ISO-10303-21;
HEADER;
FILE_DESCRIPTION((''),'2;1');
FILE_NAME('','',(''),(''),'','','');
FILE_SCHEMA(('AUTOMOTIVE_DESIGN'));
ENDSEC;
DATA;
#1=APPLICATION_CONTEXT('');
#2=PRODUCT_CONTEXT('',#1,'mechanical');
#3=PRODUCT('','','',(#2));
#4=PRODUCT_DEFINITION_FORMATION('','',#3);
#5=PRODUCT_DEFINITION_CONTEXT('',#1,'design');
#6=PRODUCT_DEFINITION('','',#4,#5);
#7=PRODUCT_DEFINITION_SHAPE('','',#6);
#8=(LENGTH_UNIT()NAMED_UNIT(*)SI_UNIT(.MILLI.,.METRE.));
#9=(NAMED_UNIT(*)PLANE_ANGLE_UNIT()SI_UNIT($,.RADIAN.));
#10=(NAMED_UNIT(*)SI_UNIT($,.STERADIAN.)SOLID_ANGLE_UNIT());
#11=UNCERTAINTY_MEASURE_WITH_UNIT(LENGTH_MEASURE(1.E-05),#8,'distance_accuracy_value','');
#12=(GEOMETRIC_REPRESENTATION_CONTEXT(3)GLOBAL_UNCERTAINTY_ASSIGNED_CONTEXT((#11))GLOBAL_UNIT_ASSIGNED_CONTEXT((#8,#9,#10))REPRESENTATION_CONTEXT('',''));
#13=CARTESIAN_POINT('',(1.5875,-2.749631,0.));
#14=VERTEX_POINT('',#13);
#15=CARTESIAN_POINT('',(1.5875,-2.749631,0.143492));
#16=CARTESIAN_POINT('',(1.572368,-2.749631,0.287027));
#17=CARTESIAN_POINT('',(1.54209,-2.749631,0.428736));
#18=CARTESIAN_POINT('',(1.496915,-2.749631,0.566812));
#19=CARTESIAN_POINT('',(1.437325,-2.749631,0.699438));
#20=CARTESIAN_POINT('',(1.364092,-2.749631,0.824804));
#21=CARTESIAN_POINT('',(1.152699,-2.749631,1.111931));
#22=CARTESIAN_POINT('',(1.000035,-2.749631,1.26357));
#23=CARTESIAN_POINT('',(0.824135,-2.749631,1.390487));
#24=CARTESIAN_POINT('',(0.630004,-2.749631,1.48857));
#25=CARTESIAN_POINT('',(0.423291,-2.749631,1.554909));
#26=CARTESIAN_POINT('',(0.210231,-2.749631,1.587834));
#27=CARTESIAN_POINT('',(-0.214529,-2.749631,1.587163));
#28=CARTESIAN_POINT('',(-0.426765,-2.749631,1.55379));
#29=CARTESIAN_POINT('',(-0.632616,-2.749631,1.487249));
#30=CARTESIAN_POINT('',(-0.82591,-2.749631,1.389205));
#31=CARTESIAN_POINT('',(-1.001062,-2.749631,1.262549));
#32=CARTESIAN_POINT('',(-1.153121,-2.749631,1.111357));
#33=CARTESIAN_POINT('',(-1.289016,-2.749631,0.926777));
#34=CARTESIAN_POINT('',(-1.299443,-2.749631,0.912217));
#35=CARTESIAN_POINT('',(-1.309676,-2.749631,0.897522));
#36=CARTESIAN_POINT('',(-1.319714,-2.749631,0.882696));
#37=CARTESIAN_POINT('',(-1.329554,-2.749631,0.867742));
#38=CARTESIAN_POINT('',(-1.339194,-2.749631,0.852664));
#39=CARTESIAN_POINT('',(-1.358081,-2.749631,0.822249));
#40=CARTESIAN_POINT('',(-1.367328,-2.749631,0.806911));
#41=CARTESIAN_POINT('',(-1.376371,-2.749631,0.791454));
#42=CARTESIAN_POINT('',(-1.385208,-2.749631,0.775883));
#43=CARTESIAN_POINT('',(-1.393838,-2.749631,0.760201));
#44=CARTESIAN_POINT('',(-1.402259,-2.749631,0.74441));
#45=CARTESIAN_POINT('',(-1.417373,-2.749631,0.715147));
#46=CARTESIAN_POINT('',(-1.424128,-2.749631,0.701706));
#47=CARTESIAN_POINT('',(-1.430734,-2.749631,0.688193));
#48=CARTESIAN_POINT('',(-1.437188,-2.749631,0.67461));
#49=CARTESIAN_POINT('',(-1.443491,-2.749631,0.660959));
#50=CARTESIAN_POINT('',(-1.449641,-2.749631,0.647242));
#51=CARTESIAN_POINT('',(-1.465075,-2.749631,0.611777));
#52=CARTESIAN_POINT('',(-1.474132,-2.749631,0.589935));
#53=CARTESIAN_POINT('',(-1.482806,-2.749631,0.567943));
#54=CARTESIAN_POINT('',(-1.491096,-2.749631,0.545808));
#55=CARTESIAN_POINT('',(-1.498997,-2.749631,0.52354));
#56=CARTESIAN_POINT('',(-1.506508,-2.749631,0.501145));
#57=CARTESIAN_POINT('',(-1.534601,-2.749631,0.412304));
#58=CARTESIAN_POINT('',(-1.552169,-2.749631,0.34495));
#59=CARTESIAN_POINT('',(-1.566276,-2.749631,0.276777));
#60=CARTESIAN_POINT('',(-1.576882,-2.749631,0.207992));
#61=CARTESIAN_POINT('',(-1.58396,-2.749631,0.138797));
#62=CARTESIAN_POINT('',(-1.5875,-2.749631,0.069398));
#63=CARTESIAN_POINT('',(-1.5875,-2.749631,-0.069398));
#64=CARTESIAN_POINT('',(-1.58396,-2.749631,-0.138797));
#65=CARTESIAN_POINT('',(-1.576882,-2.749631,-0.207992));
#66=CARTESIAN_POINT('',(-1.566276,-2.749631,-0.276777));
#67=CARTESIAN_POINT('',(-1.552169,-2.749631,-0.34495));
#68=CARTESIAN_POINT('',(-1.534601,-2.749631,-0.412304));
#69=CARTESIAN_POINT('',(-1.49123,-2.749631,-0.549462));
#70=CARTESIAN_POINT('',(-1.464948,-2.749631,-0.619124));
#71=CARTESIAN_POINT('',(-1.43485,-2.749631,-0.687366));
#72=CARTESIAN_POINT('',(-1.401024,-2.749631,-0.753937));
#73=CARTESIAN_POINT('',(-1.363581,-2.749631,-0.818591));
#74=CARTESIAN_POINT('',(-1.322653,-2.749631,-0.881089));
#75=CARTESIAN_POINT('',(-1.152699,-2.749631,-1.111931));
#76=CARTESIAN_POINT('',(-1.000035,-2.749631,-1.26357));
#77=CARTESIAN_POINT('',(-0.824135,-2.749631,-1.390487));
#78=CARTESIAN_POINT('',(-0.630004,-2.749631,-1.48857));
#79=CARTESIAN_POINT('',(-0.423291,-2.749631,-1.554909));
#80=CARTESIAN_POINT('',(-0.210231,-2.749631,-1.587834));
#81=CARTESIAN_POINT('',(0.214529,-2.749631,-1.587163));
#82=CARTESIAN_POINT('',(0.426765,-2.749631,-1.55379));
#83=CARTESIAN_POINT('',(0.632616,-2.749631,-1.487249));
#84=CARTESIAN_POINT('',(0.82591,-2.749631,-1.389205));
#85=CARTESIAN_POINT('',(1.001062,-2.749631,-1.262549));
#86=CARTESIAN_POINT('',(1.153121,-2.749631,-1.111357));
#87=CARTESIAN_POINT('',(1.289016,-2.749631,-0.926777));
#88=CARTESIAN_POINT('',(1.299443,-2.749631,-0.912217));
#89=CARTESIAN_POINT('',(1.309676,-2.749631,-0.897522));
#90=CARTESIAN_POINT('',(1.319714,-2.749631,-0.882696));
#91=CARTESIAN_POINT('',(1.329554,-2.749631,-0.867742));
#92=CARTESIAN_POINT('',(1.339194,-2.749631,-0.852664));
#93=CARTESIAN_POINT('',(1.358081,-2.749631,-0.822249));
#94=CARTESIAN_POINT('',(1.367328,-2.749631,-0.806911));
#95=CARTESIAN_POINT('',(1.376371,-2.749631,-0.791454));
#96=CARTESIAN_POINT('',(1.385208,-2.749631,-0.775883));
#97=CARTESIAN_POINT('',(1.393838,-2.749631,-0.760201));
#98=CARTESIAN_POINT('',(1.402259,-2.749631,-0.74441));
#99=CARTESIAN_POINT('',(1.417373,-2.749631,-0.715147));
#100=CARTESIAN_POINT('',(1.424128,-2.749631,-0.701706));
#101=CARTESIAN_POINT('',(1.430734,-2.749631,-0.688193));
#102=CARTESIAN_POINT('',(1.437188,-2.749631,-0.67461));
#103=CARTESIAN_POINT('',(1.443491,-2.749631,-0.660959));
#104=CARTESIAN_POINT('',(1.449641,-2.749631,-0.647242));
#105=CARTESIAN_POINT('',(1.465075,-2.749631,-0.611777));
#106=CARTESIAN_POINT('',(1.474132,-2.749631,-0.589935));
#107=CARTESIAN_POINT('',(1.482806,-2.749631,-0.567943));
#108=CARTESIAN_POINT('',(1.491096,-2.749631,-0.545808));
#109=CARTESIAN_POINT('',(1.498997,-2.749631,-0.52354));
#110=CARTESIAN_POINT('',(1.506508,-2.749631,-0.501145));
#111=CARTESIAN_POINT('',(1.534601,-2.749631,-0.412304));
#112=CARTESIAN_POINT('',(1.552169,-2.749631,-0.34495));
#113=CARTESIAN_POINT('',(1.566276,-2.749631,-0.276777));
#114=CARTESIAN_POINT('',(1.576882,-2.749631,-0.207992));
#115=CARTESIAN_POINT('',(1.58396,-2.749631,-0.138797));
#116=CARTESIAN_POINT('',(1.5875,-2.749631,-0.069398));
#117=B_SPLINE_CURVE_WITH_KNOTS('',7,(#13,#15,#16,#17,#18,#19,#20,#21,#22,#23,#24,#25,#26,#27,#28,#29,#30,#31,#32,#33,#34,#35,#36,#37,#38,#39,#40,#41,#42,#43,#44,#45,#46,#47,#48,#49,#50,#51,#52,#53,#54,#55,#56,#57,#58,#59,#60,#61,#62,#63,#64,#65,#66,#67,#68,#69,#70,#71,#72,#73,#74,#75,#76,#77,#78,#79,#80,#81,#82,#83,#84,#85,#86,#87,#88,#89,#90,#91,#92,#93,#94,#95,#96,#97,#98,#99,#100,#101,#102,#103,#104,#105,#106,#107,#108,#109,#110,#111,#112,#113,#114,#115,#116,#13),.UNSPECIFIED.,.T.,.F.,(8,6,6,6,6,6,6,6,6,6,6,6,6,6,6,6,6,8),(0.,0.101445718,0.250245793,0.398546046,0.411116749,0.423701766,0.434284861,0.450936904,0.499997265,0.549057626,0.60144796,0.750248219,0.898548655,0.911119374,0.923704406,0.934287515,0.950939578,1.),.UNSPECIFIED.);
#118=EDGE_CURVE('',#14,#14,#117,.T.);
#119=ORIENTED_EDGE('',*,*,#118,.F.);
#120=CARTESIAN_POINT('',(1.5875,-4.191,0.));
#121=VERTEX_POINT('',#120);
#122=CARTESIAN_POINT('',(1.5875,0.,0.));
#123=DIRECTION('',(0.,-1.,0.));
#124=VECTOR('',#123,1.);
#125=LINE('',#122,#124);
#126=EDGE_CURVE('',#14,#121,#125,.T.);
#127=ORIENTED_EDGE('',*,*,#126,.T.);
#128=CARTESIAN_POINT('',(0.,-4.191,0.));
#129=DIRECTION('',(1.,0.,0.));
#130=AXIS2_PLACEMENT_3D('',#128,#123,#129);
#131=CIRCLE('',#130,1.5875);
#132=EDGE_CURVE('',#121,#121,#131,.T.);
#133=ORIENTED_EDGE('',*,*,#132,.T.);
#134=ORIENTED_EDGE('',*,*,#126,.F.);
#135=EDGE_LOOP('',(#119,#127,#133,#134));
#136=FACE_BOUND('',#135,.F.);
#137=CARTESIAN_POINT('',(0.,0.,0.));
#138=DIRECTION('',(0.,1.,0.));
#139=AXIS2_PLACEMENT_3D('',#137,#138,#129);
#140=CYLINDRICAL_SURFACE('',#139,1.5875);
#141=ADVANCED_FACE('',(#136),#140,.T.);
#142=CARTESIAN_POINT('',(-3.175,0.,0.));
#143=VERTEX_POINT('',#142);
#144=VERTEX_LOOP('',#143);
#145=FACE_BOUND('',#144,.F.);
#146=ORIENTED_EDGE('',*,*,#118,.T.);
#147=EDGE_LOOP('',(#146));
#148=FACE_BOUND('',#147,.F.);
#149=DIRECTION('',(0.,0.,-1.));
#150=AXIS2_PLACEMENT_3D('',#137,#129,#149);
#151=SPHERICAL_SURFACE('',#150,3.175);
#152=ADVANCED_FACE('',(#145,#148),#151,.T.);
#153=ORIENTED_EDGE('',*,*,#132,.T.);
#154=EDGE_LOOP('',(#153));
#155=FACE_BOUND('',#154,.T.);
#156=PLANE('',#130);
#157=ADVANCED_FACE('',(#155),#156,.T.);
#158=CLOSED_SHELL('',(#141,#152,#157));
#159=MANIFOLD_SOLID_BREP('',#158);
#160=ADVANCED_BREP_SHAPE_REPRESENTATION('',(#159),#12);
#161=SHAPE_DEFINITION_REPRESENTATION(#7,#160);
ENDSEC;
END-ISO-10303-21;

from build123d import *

# Parameters (mm, degrees)
F2_R     = 1.5875
F3_DEPTH = 4.191


with BuildPart() as f1:
    # F0 (on Front) → F1 (revolve)
    with BuildSketch(Plane.XZ):
        with BuildLine():
            Line((3.175, 0), (-3.175, 0))
            ThreePointArc((-3.175, 0), (0, -3.175), (3.175, 0))
        make_face()
    revolve(axis=Axis((0, 0, 0), (-1, 0, 0)))

    # F2 (on Front) → F3 (join)
    with BuildSketch(Plane.XZ):
        Circle(F2_R)
    extrude(amount=F3_DEPTH)


solid = f1.part
